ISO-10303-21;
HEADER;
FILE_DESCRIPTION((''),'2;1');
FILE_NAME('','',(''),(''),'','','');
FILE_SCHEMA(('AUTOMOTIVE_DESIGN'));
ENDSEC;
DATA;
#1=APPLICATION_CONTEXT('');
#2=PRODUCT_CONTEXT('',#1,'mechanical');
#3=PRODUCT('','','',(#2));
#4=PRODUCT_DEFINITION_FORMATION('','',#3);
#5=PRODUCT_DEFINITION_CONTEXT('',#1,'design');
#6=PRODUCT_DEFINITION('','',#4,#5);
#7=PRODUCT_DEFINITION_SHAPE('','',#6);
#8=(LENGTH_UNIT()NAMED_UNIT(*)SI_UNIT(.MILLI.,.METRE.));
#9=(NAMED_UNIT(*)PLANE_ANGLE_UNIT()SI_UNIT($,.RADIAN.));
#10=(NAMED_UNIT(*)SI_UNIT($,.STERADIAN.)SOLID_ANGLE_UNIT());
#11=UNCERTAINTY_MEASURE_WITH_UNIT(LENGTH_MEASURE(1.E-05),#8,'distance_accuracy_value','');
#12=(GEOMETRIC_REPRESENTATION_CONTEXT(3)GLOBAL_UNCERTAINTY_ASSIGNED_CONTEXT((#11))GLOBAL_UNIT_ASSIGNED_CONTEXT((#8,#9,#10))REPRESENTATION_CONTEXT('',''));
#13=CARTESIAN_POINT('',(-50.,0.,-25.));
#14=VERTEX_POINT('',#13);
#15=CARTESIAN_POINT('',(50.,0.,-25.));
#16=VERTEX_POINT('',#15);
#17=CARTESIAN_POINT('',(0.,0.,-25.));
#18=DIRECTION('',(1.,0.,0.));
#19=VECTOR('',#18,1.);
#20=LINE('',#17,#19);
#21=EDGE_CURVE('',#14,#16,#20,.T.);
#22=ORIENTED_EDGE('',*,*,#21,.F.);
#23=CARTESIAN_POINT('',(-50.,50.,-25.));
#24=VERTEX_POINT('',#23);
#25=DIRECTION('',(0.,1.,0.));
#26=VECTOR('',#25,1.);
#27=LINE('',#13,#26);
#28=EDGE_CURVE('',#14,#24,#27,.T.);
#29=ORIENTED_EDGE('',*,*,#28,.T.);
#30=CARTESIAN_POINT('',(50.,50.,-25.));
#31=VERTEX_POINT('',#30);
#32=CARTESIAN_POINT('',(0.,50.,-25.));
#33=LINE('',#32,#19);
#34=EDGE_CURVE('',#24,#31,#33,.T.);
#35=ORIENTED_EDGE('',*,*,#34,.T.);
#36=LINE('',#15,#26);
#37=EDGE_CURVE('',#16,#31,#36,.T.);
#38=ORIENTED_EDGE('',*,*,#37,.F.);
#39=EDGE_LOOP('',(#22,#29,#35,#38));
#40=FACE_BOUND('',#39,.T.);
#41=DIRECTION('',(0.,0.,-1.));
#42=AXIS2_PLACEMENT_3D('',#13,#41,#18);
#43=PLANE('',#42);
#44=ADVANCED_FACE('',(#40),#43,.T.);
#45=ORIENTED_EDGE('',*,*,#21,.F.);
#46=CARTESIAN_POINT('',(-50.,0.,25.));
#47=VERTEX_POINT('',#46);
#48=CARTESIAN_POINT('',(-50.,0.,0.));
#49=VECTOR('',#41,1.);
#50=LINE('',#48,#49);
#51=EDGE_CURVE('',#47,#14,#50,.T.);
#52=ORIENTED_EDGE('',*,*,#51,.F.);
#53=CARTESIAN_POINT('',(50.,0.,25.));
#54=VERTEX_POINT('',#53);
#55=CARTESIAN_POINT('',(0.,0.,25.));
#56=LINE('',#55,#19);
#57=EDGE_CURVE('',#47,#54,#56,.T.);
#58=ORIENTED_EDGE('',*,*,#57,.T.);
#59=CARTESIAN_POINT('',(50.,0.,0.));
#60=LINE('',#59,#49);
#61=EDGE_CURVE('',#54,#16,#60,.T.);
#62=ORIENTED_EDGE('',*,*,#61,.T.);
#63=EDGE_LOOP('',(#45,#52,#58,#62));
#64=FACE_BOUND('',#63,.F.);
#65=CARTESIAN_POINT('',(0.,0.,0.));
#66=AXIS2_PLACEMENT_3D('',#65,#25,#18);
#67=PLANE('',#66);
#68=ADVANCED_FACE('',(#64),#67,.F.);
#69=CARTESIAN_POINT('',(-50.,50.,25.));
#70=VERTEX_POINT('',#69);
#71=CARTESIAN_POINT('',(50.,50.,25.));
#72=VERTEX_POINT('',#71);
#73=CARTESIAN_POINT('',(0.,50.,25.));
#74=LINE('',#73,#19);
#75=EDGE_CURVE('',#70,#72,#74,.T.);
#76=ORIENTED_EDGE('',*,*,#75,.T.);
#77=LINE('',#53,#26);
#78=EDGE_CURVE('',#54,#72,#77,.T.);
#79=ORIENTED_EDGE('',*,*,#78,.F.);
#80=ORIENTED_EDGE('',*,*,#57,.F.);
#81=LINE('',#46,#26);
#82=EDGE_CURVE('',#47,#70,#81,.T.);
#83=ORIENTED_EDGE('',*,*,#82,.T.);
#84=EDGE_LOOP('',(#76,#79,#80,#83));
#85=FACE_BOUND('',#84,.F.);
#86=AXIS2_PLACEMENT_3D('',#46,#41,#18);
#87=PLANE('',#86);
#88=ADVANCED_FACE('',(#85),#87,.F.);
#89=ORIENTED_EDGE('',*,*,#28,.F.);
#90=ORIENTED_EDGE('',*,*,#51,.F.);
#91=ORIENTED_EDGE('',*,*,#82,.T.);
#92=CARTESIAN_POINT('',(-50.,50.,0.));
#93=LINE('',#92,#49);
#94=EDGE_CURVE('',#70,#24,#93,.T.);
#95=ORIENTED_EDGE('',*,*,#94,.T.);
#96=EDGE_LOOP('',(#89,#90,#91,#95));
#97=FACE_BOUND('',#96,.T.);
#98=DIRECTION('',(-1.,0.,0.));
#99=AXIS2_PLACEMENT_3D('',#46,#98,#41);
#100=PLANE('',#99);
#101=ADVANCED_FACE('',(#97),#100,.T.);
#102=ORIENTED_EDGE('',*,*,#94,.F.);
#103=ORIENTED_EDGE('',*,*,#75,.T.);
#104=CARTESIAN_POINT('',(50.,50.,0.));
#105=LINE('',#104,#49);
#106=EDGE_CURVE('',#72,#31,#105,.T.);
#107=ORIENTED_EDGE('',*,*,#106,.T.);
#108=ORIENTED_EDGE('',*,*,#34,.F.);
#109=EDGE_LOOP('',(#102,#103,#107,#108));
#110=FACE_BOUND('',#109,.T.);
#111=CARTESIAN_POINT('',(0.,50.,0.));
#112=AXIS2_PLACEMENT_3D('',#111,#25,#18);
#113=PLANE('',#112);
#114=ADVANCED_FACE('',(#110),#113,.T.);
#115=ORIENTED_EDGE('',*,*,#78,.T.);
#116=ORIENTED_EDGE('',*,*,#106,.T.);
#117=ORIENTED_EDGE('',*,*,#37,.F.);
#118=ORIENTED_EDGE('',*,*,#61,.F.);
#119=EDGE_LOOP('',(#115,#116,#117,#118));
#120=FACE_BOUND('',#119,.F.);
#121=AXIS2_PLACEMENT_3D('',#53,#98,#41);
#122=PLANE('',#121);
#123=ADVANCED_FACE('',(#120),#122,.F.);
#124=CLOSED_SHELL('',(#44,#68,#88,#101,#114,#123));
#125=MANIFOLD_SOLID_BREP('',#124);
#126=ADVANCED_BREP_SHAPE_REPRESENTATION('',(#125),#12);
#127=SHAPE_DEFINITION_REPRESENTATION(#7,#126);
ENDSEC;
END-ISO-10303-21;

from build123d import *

# Parameters (mm, degrees)
SKETCH1_W           = 100
SKETCH1_H           = 50
BOSS_EXTRUDE1_DEPTH = 50


with BuildPart() as part:
    # Sketch1 → Boss-Extrude1 (new body)
    with BuildSketch(Plane(origin=(0, 0, 0), x_dir=(1, 0, 0), z_dir=(0, 1, 0))):
        Rectangle(SKETCH1_W, SKETCH1_H)
    extrude(amount=BOSS_EXTRUDE1_DEPTH)


solid = part.part
